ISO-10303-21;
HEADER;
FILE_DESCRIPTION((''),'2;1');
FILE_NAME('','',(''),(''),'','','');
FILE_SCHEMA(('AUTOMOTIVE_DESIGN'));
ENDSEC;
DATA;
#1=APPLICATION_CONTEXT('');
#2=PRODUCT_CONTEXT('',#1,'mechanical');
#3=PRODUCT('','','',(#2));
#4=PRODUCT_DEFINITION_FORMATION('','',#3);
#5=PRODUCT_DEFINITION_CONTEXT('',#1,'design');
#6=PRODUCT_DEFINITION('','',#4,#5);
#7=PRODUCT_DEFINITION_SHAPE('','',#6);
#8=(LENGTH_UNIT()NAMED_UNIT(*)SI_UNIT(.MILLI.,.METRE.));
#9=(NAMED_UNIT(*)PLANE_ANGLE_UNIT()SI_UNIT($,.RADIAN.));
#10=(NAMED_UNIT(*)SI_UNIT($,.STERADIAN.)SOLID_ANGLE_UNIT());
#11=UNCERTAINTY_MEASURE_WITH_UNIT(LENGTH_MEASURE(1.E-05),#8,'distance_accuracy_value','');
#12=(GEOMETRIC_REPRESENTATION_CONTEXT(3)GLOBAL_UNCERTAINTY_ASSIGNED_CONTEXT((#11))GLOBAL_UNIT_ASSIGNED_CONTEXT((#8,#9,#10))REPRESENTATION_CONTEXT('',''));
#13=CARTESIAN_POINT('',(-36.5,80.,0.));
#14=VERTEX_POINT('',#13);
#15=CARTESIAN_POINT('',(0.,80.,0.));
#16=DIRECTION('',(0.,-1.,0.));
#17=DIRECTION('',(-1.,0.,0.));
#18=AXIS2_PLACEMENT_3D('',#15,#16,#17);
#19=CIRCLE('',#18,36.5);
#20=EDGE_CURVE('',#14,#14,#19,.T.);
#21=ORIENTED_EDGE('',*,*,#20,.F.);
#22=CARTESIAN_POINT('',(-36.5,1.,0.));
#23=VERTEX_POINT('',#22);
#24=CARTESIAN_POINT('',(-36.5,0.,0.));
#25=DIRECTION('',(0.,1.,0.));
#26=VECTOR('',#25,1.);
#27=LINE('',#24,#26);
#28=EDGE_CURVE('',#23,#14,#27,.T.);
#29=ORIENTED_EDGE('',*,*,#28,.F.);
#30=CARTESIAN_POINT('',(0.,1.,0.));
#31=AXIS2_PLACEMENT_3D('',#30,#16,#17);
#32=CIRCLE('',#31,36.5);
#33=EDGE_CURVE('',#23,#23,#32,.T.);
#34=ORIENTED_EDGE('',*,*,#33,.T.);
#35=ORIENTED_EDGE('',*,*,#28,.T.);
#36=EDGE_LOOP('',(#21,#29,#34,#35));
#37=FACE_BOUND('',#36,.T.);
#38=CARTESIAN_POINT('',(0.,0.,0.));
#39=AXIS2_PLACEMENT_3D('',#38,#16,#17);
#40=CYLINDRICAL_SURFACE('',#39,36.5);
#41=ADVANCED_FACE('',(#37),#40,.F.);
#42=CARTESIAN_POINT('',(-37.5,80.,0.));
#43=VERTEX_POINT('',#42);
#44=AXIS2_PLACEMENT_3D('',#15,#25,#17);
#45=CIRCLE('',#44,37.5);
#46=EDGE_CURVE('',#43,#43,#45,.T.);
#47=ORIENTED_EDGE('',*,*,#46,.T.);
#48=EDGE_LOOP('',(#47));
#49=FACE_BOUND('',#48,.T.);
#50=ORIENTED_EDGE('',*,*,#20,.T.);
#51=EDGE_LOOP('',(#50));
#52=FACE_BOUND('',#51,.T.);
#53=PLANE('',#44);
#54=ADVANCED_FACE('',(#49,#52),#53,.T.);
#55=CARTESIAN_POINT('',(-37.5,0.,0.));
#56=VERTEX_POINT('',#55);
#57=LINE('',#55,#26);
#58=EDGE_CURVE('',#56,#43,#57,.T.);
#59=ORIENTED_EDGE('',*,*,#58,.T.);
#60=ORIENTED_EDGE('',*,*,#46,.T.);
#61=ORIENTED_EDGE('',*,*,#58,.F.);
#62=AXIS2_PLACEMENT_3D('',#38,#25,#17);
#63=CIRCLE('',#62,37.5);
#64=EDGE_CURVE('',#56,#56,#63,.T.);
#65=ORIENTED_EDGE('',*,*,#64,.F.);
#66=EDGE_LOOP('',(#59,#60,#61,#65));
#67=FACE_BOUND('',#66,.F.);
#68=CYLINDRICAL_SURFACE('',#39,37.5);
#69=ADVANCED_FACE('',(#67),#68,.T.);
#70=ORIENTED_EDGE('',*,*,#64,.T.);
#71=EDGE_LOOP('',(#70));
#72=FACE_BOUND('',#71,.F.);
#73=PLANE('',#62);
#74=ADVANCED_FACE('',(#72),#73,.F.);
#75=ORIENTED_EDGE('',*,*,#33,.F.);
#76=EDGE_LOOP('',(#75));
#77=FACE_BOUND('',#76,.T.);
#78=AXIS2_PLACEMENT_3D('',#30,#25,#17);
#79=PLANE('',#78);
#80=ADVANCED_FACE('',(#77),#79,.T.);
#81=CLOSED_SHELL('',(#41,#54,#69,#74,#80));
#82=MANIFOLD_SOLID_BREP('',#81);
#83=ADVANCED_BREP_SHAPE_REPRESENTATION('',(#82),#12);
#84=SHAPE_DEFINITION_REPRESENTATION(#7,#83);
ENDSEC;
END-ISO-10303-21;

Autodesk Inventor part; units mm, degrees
ref_plane "YZ Plane" through (0, 0, 0) normal (1, 0, 0) x (0, 1, 0)
ref_plane "XZ Plane" through (0, 0, 0) normal (0, 1, 0) x (-1, 0, 0)
ref_plane "XY Plane" through (0, 0, 0) normal (0, 0, 1) x (1, 0, 0)
sketch "Sketch1" plane through (0, 0, 0) normal (0, 1, 0) x (-1, 0, 0)
  circle A0 centre (0, 0) radius 37.5
  dimension "d0" = 75
extrude "Extrusion1" add sketch "Sketch1" along normal blind 80
shell "Shell1" thickness 1 removed faces 1 at (-9.7729, 80, -7.7936)
properties part number "Container 2"
